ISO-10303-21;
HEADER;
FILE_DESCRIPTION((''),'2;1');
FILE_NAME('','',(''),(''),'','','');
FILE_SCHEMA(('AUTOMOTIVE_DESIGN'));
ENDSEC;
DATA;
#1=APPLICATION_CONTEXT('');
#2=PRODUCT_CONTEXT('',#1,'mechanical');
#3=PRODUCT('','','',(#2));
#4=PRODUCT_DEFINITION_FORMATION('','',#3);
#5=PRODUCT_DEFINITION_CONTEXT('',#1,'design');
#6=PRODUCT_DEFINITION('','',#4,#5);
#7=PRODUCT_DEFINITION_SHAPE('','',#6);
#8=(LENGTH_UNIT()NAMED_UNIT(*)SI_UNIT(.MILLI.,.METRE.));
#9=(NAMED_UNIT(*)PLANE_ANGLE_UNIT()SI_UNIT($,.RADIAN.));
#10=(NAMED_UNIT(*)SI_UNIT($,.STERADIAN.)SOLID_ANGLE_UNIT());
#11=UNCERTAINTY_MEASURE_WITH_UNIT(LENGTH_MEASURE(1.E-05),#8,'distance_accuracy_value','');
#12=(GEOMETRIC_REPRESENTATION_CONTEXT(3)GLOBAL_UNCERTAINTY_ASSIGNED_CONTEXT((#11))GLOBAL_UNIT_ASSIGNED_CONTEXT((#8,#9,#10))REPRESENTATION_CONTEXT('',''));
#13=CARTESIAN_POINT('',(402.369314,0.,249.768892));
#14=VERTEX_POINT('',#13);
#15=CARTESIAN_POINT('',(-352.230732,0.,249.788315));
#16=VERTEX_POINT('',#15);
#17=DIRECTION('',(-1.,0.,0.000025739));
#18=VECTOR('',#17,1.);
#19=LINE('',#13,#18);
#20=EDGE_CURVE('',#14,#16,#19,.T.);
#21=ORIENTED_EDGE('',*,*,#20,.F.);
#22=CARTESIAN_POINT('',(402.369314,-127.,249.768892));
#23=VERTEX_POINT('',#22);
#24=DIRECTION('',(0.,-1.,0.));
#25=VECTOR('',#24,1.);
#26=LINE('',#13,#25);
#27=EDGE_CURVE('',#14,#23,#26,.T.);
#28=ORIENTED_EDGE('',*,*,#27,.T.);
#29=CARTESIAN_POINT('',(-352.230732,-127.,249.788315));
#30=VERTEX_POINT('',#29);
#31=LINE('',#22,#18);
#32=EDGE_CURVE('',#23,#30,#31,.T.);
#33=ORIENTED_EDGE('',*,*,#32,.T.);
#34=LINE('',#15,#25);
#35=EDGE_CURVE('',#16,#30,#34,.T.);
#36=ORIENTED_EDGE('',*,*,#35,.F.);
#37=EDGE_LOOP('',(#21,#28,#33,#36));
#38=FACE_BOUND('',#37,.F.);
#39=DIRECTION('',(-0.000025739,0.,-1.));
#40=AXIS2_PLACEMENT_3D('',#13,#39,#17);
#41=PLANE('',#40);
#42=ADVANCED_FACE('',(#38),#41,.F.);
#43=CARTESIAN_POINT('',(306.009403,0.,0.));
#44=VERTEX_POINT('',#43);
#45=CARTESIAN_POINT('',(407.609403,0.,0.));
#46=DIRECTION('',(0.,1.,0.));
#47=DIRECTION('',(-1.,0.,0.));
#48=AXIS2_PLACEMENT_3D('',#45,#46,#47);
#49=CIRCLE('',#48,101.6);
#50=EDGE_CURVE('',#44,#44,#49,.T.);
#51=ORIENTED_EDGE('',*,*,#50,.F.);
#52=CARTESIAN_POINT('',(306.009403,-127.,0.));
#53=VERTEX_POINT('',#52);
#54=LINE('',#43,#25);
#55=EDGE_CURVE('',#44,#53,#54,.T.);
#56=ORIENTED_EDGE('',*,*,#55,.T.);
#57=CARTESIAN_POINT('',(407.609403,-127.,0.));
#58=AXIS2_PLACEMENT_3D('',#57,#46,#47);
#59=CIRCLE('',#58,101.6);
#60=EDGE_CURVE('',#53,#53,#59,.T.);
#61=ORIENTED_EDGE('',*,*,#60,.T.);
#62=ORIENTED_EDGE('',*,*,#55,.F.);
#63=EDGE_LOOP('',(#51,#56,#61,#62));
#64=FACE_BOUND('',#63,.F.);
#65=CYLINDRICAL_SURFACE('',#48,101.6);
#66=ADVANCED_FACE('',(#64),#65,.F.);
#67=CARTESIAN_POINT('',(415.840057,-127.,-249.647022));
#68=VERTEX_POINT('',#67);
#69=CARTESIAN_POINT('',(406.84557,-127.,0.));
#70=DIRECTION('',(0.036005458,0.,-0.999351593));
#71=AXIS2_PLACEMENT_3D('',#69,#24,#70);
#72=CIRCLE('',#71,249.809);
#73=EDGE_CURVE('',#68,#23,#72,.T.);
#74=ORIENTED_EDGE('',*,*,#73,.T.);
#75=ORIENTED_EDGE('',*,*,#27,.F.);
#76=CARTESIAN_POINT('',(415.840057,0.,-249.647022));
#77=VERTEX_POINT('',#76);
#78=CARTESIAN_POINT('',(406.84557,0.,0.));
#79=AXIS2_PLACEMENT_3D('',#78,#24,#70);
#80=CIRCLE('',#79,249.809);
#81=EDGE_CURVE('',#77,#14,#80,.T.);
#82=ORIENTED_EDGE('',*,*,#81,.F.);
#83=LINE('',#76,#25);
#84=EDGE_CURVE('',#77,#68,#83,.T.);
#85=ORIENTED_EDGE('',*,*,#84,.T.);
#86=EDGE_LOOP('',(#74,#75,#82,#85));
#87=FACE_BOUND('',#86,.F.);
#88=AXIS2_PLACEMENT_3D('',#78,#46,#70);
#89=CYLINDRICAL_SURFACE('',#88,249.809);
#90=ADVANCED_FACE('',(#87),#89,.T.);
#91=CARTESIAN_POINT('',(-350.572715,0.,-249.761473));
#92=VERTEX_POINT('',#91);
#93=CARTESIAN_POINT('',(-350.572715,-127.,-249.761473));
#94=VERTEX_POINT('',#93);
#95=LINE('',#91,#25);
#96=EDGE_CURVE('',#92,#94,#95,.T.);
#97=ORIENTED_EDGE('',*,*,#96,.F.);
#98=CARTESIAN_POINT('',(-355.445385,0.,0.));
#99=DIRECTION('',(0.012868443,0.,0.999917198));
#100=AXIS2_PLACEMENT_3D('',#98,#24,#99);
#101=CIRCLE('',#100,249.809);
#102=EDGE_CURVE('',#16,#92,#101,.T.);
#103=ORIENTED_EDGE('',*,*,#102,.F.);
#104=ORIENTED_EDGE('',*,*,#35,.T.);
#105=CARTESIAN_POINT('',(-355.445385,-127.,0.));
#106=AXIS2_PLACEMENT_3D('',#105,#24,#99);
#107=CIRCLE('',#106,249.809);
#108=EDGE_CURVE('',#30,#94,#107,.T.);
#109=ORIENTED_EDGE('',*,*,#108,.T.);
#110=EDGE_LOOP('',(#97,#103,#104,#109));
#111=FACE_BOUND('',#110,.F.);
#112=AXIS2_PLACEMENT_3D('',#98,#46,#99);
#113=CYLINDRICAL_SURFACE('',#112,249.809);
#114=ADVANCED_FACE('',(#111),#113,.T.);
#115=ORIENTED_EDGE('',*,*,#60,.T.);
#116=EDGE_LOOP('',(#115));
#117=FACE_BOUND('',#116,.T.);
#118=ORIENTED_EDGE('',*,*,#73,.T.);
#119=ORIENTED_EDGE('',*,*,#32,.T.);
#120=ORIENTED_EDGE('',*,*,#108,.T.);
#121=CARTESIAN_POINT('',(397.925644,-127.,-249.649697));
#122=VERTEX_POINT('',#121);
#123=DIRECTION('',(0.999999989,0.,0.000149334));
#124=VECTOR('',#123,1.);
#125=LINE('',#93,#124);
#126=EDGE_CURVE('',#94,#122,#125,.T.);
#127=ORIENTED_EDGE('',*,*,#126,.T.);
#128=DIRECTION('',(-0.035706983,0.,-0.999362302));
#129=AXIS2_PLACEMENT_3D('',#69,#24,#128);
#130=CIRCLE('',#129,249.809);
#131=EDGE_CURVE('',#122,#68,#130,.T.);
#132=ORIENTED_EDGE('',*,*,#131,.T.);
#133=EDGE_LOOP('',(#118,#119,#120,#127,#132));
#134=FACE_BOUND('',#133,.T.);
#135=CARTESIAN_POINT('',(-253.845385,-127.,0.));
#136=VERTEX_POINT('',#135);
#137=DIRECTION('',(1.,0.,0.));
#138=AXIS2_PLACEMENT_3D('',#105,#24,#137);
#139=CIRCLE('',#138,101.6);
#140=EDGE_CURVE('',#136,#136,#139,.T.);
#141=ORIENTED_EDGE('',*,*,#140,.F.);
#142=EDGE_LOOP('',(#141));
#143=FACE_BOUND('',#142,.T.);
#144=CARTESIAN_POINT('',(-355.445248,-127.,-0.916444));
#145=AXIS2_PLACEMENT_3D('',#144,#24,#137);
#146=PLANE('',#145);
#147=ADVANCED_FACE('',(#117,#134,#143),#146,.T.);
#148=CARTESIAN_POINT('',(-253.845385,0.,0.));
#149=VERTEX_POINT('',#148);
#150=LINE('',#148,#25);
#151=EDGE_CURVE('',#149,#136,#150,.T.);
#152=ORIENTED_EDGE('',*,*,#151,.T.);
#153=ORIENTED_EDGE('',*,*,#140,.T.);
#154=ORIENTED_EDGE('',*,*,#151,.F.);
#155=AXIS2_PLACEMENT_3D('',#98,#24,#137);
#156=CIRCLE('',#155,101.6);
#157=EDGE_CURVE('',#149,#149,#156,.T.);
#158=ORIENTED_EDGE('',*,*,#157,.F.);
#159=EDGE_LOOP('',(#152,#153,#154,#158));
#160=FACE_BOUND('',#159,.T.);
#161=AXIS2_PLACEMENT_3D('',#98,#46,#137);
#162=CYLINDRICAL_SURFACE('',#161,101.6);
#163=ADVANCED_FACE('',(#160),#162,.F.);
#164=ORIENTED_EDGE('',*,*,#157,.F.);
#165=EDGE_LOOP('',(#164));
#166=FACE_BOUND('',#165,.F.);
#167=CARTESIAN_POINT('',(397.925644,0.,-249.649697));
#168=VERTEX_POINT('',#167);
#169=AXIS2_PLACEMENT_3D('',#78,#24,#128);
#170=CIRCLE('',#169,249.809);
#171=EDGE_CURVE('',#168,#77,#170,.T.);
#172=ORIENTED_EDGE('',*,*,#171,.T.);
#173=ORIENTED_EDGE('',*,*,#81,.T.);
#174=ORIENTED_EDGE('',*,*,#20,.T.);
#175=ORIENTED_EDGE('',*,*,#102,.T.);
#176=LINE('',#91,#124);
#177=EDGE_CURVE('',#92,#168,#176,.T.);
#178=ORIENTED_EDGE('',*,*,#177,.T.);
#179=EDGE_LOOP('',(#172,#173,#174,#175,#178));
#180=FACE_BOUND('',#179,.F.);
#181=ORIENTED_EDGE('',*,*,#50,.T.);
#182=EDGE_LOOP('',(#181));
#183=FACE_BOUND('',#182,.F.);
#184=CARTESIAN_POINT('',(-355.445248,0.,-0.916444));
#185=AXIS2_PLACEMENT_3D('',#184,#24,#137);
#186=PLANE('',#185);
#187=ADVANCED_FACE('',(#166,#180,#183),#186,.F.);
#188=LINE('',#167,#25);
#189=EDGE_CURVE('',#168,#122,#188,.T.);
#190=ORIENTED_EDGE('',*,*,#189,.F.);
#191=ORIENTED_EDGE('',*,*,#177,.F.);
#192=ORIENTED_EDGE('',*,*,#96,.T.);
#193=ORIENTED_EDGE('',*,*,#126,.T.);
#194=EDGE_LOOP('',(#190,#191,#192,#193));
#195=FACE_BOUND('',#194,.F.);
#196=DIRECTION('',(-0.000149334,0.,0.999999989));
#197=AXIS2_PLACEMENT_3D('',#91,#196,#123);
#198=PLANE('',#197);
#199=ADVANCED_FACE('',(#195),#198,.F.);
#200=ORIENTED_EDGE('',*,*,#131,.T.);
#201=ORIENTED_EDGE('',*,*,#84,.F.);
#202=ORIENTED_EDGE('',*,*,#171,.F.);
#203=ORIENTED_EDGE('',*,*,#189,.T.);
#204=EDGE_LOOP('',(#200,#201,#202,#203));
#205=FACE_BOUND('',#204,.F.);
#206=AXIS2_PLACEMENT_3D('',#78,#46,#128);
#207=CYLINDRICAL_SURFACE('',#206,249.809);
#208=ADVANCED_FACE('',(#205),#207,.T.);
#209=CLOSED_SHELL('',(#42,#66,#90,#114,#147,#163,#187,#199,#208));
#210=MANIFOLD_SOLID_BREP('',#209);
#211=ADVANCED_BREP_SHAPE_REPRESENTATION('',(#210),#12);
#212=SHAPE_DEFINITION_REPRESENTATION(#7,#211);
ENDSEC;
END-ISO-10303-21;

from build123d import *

# Parameters (mm, degrees)
F0_R     = 101.6
F1_DEPTH = 127


with BuildPart() as f1:
    # F0 (on Front) → F1 (new body)
    with BuildSketch(Plane.XZ):
        with BuildLine():
            ThreePointArc((-350.5727146354, -249.7614733395), (-177.0893178173, -174.9104050294), (-105.6363849792, 0))
            ThreePointArc((-105.6363849792, 0), (-177.6708286975, 175.5014063187), (-352.230732019, 249.7883153539))
            ThreePointArc((-352.230732019, 249.7883153539), (-605.2222561445, 4.0063838927), (-360.2434595529, -249.7629175066))
            Line((-360.2434595529, -249.7629175066), (-350.5727146354, -249.7614733395))
        make_face()
        with Locations((-355.4453849792, 0)):
            Circle(F0_R, mode=Mode.SUBTRACT)
        with BuildLine():
            ThreePointArc((-352.230732019, 249.7883153539), (-177.6708286975, 175.5014063187), (-105.6363849792, 0))
            Line((-105.6363849792, 0), (157.0365696106, 0))
            ThreePointArc((157.0365696106, 0), (228.6283631182, 175.0518888532), (402.3693141559, 249.7688924148))
            Line((402.3693141559, 249.7688924148), (-352.230732019, 249.7883153539))
        make_face()
        with BuildLine():
            Line((157.0365696106, 0), (-105.6363849792, 0))
            ThreePointArc((-105.6363849792, 0), (-177.0893178173, -174.9104050294), (-350.5727146354, -249.7614733395))
            Line((-350.5727146354, -249.7614733395), (397.9256440217, -249.6496973931))
            ThreePointArc((397.9256440217, -249.6496973931), (227.0779221147, -173.4593018399), (157.0365696106, 0))
        make_face()
        with BuildLine():
            ThreePointArc((402.3693141559, 249.7688924148), (228.6283631182, 175.0518888532), (157.0365696106, 0))
            ThreePointArc((157.0365696106, 0), (227.0779221147, -173.4593018399), (397.9256440217, -249.6496973931))
            Line((397.9256440217, -249.6496973931), (415.8400569706, -249.6470221696))
            ThreePointArc((415.8400569706, -249.6470221696), (586.6391184019, -173.4324545581), (656.6545696106, 0))
            ThreePointArc((656.6545696106, 0), (581.8974584638, 178.2172064924), (402.3693141559, 249.7688924148))
        make_face()
        with BuildLine():
            ThreePointArc((509.2094031334, 0), (407.6094031334, -101.6), (306.0094031334, 0))
            ThreePointArc((306.0094031334, 0), (407.6094031334, 101.6), (509.2094031334, 0))
        make_face(mode=Mode.SUBTRACT)
        with BuildLine():
            ThreePointArc((-360.2434595529, -249.7629175066), (-355.4080801051, -249.8089972146), (-350.5727146354, -249.7614733395))
            Line((-350.5727146354, -249.7614733395), (-360.2434595529, -249.7629175066))
        make_face()
        with BuildLine():
            Line((415.8400569706, -249.6470221696), (397.9256440217, -249.6496973931))
            ThreePointArc((397.9256440217, -249.6496973931), (406.8828744847, -249.8089972146), (415.8400569706, -249.6470221696))
        make_face()
    extrude(amount=F1_DEPTH)


solid = f1.part
